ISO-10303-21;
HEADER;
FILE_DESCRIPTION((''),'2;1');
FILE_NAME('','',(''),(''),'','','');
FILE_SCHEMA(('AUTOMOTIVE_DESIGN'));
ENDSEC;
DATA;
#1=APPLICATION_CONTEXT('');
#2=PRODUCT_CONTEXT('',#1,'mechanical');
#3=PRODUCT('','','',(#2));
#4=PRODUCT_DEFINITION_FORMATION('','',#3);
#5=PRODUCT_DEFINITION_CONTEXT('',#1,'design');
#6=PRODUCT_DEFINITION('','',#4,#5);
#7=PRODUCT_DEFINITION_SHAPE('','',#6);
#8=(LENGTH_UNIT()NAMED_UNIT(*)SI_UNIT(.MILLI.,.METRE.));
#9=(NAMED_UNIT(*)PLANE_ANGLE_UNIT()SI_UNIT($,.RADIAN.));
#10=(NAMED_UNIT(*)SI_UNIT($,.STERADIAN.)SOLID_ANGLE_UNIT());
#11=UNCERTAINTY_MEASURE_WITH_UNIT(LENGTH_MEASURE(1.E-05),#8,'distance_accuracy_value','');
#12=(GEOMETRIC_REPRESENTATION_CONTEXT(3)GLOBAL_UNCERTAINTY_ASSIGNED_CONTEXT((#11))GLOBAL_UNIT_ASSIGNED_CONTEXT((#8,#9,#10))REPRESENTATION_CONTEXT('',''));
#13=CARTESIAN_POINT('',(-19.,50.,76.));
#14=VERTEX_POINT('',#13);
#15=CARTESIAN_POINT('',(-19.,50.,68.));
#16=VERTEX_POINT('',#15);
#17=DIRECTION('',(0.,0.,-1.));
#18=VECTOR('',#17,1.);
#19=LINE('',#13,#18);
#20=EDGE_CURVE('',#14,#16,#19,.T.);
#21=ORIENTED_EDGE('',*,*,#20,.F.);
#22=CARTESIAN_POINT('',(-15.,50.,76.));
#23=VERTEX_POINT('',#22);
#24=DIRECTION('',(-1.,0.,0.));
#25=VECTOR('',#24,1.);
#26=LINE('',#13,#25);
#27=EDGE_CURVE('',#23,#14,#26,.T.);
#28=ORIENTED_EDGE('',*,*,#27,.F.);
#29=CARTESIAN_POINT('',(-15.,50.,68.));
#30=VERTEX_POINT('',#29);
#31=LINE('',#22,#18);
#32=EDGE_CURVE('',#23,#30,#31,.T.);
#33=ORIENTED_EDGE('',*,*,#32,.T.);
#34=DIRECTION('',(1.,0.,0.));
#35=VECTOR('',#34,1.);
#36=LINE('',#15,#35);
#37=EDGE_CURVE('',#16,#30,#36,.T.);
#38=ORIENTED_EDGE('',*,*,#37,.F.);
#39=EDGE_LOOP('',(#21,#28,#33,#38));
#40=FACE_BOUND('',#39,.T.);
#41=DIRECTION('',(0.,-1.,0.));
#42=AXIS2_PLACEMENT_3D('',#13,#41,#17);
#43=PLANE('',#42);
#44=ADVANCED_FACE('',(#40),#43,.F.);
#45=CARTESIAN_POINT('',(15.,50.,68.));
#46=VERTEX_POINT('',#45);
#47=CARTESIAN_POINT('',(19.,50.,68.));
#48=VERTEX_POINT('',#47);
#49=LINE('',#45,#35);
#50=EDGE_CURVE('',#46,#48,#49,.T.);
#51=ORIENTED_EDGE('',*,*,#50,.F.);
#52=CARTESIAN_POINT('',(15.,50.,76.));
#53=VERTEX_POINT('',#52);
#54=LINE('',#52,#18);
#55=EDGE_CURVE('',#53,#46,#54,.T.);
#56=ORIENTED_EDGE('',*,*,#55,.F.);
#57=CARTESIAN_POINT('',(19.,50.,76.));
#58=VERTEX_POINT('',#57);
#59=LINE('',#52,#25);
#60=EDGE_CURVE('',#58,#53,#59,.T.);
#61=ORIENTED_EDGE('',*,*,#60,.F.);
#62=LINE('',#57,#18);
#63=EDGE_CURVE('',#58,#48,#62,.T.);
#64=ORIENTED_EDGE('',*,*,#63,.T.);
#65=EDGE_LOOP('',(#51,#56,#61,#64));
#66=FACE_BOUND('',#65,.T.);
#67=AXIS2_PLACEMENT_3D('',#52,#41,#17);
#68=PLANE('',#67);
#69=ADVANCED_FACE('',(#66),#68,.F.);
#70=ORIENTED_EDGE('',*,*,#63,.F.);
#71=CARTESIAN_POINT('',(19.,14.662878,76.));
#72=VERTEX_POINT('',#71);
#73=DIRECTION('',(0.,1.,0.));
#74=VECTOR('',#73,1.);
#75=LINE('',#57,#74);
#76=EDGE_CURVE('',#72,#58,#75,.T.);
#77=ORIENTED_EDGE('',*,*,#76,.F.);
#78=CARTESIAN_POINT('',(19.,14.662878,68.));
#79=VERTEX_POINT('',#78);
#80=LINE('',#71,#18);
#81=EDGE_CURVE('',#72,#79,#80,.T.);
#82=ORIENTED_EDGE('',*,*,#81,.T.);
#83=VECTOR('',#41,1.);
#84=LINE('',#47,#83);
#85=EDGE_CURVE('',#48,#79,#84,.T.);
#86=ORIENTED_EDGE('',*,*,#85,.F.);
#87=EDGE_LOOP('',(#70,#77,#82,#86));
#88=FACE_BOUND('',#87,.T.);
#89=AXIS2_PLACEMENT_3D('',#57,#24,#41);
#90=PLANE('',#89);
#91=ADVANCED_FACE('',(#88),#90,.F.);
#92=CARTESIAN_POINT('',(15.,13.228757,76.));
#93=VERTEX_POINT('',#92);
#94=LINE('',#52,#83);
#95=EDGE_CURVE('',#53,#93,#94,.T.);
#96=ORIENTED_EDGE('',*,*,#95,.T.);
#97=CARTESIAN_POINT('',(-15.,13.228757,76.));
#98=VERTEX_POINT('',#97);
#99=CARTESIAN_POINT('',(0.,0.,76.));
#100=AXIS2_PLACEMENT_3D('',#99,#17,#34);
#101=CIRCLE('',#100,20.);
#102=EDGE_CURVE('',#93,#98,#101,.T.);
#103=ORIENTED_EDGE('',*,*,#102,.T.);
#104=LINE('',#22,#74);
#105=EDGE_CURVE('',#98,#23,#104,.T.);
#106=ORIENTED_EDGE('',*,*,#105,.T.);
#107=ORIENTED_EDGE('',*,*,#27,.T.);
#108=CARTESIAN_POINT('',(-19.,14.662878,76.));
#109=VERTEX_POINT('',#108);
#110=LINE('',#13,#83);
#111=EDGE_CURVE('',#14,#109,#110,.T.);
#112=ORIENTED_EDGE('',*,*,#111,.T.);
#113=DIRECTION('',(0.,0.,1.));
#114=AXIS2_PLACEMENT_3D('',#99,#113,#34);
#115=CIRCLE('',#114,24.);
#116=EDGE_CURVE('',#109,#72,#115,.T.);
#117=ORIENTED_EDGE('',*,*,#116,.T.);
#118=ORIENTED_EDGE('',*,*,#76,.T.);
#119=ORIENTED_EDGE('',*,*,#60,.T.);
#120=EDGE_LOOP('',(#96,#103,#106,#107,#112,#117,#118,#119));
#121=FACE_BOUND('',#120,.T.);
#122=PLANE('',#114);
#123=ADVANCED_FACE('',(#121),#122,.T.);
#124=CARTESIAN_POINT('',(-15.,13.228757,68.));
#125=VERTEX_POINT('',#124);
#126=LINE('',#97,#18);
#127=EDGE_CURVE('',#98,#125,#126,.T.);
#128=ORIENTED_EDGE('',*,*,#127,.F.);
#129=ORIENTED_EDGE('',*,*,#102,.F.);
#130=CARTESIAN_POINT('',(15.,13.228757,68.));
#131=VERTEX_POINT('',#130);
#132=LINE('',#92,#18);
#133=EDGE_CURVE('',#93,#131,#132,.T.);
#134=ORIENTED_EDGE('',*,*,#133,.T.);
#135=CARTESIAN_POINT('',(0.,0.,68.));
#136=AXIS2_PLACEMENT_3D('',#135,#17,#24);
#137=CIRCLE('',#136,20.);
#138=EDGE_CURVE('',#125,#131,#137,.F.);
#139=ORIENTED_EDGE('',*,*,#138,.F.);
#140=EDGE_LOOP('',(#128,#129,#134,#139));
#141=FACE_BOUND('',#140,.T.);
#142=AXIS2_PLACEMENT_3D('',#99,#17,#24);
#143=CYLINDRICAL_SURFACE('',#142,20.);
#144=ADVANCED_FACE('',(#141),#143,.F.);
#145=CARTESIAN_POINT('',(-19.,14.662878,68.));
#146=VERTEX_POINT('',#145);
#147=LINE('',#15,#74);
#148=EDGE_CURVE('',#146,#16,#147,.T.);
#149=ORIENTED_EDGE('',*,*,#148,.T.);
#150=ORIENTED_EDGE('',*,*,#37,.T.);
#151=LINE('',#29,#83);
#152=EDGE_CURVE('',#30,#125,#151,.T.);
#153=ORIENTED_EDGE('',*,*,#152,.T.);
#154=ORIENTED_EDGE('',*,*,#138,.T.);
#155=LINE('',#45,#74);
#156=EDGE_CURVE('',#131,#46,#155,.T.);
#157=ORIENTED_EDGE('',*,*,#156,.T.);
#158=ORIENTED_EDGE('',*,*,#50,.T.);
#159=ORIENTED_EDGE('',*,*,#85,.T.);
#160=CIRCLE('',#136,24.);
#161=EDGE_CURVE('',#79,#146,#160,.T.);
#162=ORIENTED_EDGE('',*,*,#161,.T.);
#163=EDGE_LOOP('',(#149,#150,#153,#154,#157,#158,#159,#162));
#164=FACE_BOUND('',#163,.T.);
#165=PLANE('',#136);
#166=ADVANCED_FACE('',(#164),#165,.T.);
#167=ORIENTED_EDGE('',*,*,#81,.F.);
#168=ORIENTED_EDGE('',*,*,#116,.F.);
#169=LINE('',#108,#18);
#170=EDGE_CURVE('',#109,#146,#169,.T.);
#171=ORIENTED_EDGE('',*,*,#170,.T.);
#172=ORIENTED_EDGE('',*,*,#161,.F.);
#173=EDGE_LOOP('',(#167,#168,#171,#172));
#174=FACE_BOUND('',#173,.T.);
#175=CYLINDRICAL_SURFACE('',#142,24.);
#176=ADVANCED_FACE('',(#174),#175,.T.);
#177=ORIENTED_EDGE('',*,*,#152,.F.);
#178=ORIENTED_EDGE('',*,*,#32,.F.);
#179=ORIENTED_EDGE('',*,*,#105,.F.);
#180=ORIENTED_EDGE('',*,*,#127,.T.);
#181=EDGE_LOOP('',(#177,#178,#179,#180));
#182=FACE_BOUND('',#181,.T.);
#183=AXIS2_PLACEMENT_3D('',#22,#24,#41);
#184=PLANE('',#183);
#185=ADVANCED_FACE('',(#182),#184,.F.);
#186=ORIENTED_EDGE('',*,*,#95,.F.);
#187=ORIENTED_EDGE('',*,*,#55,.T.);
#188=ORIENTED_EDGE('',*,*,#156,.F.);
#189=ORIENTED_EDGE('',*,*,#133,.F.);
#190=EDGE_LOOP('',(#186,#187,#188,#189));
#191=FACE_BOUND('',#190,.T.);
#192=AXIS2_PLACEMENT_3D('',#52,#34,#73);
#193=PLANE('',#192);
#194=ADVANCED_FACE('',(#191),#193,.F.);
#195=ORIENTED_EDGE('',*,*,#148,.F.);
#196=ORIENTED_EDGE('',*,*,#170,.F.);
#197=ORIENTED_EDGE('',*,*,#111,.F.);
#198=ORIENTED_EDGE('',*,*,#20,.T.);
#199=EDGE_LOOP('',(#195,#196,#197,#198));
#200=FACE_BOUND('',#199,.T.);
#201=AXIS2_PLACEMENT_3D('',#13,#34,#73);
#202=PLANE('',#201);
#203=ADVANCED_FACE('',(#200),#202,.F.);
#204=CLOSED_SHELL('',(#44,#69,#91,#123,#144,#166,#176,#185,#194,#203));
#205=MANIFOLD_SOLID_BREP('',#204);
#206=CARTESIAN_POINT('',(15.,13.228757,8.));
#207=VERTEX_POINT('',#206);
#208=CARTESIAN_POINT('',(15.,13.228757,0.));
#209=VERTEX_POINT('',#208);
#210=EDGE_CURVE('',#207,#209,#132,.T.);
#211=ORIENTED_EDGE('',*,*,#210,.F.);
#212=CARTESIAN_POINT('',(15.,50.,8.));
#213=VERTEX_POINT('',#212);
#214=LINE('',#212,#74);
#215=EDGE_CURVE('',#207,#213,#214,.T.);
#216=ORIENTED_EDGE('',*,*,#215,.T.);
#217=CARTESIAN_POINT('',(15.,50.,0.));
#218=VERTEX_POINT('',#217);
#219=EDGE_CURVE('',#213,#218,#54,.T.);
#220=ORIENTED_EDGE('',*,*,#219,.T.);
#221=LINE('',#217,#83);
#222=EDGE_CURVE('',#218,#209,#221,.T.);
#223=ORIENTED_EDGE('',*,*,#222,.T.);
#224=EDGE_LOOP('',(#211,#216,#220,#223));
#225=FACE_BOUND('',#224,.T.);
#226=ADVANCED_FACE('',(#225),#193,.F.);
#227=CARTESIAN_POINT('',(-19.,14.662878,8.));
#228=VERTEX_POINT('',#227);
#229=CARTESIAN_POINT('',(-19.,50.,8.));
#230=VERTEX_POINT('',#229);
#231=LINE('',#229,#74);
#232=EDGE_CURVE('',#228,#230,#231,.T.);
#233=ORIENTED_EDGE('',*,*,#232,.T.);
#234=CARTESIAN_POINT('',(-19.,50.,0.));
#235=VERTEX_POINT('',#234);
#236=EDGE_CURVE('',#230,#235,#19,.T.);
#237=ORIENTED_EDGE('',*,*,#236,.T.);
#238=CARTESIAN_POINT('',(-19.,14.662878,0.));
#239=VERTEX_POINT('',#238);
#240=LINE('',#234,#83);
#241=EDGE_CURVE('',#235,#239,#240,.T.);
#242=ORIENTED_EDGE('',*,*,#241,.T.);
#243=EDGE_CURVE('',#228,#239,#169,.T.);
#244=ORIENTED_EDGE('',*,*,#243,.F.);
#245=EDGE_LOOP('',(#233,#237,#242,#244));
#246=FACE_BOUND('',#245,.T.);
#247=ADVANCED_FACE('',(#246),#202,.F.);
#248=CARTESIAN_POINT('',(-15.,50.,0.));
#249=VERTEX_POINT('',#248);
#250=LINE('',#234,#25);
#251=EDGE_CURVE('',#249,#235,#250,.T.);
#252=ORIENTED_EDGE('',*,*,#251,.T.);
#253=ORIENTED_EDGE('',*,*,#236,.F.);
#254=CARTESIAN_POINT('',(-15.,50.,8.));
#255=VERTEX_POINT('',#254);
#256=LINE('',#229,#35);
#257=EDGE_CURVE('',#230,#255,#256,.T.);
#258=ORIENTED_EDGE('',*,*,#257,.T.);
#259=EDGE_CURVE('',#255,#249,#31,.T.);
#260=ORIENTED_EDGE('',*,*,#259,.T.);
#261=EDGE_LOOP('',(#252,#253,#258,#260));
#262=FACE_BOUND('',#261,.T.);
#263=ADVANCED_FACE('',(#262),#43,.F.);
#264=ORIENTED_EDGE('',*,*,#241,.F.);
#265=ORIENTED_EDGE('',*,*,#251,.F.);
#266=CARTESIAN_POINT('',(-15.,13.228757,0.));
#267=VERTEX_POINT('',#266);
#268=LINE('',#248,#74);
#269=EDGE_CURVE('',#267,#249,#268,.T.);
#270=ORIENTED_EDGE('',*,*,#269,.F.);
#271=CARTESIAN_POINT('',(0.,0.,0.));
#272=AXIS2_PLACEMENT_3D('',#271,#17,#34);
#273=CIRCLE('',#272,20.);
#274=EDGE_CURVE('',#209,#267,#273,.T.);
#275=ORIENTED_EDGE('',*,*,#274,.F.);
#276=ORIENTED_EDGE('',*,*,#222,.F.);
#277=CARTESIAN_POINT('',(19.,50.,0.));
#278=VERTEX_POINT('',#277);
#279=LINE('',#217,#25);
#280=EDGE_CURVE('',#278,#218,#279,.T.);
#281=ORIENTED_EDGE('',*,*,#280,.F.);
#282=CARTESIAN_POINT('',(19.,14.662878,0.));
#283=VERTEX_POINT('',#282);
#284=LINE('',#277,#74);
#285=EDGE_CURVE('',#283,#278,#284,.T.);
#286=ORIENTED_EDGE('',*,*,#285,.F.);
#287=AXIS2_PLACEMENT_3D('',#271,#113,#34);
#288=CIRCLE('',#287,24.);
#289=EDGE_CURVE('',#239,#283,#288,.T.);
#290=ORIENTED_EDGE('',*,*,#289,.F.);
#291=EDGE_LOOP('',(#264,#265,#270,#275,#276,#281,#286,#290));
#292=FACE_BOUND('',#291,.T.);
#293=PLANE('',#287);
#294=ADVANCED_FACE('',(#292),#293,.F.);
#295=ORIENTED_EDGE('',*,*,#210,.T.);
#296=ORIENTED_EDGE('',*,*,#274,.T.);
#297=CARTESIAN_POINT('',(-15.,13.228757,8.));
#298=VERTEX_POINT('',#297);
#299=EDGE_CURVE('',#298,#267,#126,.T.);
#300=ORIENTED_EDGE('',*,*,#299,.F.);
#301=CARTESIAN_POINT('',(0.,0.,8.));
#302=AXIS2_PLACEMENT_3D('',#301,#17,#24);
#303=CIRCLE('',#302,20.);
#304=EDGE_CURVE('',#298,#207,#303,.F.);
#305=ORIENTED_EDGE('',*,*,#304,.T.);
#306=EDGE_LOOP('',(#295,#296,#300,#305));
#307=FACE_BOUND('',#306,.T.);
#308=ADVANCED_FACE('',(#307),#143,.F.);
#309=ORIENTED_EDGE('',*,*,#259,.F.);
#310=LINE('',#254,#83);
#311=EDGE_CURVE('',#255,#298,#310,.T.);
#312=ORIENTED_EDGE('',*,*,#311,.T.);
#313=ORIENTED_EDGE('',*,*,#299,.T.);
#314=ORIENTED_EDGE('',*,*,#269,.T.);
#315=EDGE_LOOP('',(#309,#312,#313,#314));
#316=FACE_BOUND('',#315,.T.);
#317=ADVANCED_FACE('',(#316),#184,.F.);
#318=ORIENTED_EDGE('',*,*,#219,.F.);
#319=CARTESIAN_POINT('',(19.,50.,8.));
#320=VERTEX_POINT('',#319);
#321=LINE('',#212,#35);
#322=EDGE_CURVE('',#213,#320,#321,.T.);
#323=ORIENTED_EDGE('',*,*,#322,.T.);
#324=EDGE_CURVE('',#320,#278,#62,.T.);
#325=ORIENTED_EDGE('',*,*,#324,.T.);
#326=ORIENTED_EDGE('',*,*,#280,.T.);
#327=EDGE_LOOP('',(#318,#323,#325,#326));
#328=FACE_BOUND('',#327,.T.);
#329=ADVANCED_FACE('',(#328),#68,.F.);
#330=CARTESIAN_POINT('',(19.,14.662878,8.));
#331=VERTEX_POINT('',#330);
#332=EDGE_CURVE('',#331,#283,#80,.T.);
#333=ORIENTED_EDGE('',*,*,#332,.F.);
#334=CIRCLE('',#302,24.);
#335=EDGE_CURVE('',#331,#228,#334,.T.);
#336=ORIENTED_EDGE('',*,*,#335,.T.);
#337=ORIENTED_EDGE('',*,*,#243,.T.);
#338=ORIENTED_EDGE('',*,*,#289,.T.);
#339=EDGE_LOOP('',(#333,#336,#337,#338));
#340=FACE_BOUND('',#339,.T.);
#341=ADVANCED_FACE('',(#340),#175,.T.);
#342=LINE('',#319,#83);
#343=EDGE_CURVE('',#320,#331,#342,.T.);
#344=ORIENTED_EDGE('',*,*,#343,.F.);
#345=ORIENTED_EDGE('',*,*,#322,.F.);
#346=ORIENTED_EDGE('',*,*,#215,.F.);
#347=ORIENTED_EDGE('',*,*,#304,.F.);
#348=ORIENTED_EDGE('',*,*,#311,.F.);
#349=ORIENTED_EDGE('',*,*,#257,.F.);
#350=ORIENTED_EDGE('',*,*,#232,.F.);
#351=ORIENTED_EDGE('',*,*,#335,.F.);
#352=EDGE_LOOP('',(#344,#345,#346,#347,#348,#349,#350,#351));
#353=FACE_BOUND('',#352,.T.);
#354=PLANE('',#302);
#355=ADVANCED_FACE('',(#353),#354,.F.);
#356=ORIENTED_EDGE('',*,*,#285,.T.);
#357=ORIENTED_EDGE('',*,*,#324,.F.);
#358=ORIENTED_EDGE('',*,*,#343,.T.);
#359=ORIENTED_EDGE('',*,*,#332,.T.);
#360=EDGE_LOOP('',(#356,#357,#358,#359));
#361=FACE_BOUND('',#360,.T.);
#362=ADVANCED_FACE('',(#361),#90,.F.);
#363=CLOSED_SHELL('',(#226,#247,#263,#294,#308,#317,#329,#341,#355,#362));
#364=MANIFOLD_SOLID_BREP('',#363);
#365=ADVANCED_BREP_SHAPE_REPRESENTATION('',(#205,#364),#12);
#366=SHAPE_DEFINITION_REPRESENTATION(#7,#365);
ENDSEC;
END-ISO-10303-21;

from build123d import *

# Parameters (mm, degrees)
EXTRUDE_1_DEPTH          = 76
CUT_EXTRUDE_2_DEPTH      = 30
CUT_EXTRUDE_2_DEPTH_BACK = 30
SKETCH_3_W               = 62.399704462
SKETCH_3_H               = 130


with BuildPart() as part:
    # 草图1 → 凸台-拉伸1 (new body)
    with BuildSketch(Plane.XY):
        with BuildLine():
            Line((-19, 50), (-19, 14.662878299))
            ThreePointArc((-19, 14.662878299), (0, -24), (19, 14.662878299))
            Line((19, 14.662878299), (19, 50))
            Line((19, 50), (15, 50))
            Line((15, 50), (15, 13.228756555))
            ThreePointArc((15, 13.228756555), (0, -20), (-15, 13.228756555))
            Line((-15, 13.228756555), (-15, 50))
            Line((-15, 50), (-19, 50))
        make_face()
    extrude(amount=EXTRUDE_1_DEPTH)

    # 草图3 → 切除-拉伸2 (cut, two sides: drawn at the far end of the back side and taken through both)
    with BuildSketch(Plane.XY.offset(38).offset(-CUT_EXTRUDE_2_DEPTH_BACK)):
        with Locations((-5.457937597, -9.843031008)):
            Rectangle(SKETCH_3_W, SKETCH_3_H)
    extrude(amount=CUT_EXTRUDE_2_DEPTH + CUT_EXTRUDE_2_DEPTH_BACK, mode=Mode.SUBTRACT)


with BuildPart() as cut_extrude_2_piece_1:
    # of the separate pieces the step leaves, piece 1, a body of its own (cut_extrude_2_pieces)
    add(part.part.solids().sort_by_distance((-15, 13.228756555, 0))[0])


with BuildPart() as cut_extrude_2_piece_2:
    # of the separate pieces the step leaves, piece 2, a body of its own (cut_extrude_2_pieces)
    add(part.part.solids().sort_by_distance((-15, 50, 68))[0])


solid = Compound([cut_extrude_2_piece_1.part, cut_extrude_2_piece_2.part])
